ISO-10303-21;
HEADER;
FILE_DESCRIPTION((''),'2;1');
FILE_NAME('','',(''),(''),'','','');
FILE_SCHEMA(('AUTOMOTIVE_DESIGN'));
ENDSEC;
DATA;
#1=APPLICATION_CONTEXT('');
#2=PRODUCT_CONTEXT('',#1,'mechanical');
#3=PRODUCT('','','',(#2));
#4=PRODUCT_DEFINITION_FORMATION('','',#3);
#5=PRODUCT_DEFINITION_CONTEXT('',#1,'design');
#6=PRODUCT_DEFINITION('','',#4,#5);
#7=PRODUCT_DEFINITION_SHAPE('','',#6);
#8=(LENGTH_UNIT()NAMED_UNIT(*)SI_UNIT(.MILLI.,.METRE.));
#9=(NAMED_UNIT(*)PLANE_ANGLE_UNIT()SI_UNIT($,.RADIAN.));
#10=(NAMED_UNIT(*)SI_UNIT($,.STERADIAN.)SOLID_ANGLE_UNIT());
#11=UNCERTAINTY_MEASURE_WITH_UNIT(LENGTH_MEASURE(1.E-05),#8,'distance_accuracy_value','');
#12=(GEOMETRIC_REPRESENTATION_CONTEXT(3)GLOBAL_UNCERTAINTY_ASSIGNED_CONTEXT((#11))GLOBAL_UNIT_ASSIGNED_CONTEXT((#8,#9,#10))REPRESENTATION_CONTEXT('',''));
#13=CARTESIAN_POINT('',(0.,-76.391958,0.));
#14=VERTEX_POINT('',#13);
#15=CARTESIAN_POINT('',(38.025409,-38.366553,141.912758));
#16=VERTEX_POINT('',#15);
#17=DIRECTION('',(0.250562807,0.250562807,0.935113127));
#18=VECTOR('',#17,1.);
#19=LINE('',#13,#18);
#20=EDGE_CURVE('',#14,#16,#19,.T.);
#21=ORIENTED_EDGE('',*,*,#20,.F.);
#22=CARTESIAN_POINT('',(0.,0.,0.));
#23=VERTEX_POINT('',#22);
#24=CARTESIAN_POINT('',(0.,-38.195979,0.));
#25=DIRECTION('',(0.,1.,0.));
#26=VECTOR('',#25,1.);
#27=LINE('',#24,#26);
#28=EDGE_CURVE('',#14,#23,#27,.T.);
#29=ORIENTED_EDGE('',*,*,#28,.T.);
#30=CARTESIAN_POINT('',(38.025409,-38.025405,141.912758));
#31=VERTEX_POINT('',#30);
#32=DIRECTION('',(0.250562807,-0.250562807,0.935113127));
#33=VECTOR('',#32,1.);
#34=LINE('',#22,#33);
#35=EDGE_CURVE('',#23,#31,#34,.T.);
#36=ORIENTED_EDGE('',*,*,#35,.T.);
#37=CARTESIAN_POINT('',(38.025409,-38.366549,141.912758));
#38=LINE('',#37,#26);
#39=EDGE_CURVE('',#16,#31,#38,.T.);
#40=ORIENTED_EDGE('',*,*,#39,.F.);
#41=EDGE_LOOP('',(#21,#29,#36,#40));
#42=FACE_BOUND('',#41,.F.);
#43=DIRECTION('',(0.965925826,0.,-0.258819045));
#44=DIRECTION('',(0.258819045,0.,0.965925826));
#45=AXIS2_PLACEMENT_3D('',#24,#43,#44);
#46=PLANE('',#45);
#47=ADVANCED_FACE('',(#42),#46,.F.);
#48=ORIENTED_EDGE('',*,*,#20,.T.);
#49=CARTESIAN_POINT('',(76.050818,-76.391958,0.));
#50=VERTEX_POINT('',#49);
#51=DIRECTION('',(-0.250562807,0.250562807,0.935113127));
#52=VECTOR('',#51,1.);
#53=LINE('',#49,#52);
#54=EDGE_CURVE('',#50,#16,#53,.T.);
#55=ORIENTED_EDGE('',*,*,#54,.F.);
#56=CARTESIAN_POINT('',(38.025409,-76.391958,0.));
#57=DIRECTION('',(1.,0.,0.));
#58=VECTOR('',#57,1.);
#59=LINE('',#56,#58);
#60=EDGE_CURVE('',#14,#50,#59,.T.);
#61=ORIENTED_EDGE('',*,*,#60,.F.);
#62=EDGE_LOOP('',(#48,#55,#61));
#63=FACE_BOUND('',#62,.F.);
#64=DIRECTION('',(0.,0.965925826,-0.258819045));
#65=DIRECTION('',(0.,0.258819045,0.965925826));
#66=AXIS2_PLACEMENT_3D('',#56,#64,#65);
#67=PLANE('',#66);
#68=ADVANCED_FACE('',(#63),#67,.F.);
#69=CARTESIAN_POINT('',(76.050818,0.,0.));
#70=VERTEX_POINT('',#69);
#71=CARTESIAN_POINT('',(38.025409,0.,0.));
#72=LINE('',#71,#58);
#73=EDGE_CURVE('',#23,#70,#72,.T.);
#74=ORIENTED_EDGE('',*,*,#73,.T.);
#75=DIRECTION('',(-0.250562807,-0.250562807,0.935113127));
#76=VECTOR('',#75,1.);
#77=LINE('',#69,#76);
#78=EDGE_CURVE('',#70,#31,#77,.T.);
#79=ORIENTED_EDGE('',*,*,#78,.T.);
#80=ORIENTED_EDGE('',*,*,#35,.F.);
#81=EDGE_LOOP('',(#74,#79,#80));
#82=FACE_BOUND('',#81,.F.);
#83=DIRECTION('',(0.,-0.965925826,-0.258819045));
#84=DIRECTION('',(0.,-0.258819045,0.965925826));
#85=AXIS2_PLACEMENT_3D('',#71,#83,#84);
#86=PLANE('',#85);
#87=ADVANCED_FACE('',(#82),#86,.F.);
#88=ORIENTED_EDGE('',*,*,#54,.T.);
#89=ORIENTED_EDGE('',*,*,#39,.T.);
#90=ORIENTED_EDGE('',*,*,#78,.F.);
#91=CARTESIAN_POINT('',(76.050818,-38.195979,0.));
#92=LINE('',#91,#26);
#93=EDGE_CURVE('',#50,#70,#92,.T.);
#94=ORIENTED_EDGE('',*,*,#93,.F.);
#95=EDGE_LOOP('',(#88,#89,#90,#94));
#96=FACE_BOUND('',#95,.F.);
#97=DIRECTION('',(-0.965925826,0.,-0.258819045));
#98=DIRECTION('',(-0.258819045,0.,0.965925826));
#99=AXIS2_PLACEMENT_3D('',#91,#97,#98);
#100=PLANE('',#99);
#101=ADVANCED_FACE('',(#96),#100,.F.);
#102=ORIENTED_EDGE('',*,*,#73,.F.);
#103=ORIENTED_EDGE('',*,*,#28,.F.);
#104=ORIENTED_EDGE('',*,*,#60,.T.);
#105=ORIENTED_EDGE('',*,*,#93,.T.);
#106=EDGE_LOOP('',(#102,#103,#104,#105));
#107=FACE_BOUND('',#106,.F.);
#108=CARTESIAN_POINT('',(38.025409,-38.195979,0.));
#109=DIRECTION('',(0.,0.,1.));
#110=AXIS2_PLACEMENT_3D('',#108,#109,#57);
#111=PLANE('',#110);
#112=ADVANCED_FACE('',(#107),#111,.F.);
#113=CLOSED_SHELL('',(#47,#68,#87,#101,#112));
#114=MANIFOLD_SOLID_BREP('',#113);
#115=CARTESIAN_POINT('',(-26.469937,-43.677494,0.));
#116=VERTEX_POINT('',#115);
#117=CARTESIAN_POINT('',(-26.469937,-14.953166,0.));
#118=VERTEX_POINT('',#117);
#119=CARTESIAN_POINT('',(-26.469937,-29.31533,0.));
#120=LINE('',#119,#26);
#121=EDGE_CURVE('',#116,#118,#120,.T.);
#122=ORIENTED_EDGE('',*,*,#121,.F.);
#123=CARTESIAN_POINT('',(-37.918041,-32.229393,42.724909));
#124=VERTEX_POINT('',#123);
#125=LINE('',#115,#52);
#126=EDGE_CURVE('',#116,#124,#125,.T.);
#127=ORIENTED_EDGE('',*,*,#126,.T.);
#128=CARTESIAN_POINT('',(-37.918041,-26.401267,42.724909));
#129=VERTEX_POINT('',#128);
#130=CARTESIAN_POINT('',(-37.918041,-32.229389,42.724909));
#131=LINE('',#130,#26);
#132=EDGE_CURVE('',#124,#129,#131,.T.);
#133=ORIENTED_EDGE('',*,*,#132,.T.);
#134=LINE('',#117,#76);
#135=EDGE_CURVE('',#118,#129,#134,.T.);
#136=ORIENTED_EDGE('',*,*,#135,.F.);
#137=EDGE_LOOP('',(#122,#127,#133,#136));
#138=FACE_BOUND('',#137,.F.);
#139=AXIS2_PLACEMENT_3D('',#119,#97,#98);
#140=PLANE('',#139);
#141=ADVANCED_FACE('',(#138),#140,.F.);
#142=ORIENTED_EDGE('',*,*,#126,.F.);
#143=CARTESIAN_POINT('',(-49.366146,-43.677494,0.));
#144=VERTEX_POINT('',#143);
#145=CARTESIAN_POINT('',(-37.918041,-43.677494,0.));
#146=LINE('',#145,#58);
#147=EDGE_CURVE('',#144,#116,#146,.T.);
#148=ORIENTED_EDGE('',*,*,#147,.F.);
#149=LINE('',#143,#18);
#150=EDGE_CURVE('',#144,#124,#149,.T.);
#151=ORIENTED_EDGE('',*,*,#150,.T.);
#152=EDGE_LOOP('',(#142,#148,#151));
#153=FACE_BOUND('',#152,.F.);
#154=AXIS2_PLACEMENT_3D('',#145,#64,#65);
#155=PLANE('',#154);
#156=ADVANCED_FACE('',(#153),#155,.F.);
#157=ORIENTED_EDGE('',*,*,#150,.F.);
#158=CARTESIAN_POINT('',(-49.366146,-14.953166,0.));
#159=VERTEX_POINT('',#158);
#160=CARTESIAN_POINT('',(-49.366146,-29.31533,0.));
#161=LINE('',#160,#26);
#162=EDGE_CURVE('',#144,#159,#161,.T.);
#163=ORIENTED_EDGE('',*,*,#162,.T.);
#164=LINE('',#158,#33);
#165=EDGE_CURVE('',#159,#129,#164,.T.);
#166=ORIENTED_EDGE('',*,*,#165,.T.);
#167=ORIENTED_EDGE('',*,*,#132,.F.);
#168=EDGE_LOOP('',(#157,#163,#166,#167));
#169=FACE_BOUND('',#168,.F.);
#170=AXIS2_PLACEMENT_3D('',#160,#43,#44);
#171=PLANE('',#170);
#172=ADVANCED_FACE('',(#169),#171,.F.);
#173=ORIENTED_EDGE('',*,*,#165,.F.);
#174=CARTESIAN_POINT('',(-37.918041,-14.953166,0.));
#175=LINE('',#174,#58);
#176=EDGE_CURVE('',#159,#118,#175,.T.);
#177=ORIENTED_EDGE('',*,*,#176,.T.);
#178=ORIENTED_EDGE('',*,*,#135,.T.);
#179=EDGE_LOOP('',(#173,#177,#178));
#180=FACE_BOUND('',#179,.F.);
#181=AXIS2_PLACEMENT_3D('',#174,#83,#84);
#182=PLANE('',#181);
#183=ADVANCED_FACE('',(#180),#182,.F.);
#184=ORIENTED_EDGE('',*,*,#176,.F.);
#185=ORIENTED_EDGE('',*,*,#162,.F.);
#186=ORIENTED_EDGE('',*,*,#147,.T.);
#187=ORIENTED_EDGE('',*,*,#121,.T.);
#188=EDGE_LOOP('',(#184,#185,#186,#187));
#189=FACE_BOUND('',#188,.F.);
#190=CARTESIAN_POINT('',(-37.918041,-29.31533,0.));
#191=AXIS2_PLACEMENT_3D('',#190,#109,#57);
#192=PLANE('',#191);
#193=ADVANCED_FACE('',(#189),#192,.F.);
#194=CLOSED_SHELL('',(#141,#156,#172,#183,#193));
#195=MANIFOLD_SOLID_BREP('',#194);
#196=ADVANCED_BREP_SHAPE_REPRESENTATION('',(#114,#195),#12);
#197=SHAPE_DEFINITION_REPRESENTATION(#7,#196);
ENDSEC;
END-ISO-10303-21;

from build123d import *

# Parameters (mm, degrees)
F0_W     = 76.0508179665
F0_H     = 76.3919577003
F1_DEPTH = 304.8
F1_TAPER = 15
F0_W_2   = 22.8962097317
F0_H_2   = 28.7243276834


with BuildPart() as f1:
    # F0 (on Top) → F1 (new body)
    with BuildSketch(Plane.XY):
        with Locations((38.0254089832, -38.1959788501)):
            Rectangle(F0_W, F0_H)
    extrude(amount=F1_DEPTH, taper=F1_TAPER)


with BuildPart() as f1b:
    # F0 (on Top) → F1, piece 2 (new body)
    with BuildSketch(Plane.XY):
        with Locations((-37.9180414602, -29.3153300881)):
            Rectangle(F0_W_2, F0_H_2)
    extrude(amount=F1_DEPTH, taper=F1_TAPER)


solid = Compound([f1.part, f1b.part])
